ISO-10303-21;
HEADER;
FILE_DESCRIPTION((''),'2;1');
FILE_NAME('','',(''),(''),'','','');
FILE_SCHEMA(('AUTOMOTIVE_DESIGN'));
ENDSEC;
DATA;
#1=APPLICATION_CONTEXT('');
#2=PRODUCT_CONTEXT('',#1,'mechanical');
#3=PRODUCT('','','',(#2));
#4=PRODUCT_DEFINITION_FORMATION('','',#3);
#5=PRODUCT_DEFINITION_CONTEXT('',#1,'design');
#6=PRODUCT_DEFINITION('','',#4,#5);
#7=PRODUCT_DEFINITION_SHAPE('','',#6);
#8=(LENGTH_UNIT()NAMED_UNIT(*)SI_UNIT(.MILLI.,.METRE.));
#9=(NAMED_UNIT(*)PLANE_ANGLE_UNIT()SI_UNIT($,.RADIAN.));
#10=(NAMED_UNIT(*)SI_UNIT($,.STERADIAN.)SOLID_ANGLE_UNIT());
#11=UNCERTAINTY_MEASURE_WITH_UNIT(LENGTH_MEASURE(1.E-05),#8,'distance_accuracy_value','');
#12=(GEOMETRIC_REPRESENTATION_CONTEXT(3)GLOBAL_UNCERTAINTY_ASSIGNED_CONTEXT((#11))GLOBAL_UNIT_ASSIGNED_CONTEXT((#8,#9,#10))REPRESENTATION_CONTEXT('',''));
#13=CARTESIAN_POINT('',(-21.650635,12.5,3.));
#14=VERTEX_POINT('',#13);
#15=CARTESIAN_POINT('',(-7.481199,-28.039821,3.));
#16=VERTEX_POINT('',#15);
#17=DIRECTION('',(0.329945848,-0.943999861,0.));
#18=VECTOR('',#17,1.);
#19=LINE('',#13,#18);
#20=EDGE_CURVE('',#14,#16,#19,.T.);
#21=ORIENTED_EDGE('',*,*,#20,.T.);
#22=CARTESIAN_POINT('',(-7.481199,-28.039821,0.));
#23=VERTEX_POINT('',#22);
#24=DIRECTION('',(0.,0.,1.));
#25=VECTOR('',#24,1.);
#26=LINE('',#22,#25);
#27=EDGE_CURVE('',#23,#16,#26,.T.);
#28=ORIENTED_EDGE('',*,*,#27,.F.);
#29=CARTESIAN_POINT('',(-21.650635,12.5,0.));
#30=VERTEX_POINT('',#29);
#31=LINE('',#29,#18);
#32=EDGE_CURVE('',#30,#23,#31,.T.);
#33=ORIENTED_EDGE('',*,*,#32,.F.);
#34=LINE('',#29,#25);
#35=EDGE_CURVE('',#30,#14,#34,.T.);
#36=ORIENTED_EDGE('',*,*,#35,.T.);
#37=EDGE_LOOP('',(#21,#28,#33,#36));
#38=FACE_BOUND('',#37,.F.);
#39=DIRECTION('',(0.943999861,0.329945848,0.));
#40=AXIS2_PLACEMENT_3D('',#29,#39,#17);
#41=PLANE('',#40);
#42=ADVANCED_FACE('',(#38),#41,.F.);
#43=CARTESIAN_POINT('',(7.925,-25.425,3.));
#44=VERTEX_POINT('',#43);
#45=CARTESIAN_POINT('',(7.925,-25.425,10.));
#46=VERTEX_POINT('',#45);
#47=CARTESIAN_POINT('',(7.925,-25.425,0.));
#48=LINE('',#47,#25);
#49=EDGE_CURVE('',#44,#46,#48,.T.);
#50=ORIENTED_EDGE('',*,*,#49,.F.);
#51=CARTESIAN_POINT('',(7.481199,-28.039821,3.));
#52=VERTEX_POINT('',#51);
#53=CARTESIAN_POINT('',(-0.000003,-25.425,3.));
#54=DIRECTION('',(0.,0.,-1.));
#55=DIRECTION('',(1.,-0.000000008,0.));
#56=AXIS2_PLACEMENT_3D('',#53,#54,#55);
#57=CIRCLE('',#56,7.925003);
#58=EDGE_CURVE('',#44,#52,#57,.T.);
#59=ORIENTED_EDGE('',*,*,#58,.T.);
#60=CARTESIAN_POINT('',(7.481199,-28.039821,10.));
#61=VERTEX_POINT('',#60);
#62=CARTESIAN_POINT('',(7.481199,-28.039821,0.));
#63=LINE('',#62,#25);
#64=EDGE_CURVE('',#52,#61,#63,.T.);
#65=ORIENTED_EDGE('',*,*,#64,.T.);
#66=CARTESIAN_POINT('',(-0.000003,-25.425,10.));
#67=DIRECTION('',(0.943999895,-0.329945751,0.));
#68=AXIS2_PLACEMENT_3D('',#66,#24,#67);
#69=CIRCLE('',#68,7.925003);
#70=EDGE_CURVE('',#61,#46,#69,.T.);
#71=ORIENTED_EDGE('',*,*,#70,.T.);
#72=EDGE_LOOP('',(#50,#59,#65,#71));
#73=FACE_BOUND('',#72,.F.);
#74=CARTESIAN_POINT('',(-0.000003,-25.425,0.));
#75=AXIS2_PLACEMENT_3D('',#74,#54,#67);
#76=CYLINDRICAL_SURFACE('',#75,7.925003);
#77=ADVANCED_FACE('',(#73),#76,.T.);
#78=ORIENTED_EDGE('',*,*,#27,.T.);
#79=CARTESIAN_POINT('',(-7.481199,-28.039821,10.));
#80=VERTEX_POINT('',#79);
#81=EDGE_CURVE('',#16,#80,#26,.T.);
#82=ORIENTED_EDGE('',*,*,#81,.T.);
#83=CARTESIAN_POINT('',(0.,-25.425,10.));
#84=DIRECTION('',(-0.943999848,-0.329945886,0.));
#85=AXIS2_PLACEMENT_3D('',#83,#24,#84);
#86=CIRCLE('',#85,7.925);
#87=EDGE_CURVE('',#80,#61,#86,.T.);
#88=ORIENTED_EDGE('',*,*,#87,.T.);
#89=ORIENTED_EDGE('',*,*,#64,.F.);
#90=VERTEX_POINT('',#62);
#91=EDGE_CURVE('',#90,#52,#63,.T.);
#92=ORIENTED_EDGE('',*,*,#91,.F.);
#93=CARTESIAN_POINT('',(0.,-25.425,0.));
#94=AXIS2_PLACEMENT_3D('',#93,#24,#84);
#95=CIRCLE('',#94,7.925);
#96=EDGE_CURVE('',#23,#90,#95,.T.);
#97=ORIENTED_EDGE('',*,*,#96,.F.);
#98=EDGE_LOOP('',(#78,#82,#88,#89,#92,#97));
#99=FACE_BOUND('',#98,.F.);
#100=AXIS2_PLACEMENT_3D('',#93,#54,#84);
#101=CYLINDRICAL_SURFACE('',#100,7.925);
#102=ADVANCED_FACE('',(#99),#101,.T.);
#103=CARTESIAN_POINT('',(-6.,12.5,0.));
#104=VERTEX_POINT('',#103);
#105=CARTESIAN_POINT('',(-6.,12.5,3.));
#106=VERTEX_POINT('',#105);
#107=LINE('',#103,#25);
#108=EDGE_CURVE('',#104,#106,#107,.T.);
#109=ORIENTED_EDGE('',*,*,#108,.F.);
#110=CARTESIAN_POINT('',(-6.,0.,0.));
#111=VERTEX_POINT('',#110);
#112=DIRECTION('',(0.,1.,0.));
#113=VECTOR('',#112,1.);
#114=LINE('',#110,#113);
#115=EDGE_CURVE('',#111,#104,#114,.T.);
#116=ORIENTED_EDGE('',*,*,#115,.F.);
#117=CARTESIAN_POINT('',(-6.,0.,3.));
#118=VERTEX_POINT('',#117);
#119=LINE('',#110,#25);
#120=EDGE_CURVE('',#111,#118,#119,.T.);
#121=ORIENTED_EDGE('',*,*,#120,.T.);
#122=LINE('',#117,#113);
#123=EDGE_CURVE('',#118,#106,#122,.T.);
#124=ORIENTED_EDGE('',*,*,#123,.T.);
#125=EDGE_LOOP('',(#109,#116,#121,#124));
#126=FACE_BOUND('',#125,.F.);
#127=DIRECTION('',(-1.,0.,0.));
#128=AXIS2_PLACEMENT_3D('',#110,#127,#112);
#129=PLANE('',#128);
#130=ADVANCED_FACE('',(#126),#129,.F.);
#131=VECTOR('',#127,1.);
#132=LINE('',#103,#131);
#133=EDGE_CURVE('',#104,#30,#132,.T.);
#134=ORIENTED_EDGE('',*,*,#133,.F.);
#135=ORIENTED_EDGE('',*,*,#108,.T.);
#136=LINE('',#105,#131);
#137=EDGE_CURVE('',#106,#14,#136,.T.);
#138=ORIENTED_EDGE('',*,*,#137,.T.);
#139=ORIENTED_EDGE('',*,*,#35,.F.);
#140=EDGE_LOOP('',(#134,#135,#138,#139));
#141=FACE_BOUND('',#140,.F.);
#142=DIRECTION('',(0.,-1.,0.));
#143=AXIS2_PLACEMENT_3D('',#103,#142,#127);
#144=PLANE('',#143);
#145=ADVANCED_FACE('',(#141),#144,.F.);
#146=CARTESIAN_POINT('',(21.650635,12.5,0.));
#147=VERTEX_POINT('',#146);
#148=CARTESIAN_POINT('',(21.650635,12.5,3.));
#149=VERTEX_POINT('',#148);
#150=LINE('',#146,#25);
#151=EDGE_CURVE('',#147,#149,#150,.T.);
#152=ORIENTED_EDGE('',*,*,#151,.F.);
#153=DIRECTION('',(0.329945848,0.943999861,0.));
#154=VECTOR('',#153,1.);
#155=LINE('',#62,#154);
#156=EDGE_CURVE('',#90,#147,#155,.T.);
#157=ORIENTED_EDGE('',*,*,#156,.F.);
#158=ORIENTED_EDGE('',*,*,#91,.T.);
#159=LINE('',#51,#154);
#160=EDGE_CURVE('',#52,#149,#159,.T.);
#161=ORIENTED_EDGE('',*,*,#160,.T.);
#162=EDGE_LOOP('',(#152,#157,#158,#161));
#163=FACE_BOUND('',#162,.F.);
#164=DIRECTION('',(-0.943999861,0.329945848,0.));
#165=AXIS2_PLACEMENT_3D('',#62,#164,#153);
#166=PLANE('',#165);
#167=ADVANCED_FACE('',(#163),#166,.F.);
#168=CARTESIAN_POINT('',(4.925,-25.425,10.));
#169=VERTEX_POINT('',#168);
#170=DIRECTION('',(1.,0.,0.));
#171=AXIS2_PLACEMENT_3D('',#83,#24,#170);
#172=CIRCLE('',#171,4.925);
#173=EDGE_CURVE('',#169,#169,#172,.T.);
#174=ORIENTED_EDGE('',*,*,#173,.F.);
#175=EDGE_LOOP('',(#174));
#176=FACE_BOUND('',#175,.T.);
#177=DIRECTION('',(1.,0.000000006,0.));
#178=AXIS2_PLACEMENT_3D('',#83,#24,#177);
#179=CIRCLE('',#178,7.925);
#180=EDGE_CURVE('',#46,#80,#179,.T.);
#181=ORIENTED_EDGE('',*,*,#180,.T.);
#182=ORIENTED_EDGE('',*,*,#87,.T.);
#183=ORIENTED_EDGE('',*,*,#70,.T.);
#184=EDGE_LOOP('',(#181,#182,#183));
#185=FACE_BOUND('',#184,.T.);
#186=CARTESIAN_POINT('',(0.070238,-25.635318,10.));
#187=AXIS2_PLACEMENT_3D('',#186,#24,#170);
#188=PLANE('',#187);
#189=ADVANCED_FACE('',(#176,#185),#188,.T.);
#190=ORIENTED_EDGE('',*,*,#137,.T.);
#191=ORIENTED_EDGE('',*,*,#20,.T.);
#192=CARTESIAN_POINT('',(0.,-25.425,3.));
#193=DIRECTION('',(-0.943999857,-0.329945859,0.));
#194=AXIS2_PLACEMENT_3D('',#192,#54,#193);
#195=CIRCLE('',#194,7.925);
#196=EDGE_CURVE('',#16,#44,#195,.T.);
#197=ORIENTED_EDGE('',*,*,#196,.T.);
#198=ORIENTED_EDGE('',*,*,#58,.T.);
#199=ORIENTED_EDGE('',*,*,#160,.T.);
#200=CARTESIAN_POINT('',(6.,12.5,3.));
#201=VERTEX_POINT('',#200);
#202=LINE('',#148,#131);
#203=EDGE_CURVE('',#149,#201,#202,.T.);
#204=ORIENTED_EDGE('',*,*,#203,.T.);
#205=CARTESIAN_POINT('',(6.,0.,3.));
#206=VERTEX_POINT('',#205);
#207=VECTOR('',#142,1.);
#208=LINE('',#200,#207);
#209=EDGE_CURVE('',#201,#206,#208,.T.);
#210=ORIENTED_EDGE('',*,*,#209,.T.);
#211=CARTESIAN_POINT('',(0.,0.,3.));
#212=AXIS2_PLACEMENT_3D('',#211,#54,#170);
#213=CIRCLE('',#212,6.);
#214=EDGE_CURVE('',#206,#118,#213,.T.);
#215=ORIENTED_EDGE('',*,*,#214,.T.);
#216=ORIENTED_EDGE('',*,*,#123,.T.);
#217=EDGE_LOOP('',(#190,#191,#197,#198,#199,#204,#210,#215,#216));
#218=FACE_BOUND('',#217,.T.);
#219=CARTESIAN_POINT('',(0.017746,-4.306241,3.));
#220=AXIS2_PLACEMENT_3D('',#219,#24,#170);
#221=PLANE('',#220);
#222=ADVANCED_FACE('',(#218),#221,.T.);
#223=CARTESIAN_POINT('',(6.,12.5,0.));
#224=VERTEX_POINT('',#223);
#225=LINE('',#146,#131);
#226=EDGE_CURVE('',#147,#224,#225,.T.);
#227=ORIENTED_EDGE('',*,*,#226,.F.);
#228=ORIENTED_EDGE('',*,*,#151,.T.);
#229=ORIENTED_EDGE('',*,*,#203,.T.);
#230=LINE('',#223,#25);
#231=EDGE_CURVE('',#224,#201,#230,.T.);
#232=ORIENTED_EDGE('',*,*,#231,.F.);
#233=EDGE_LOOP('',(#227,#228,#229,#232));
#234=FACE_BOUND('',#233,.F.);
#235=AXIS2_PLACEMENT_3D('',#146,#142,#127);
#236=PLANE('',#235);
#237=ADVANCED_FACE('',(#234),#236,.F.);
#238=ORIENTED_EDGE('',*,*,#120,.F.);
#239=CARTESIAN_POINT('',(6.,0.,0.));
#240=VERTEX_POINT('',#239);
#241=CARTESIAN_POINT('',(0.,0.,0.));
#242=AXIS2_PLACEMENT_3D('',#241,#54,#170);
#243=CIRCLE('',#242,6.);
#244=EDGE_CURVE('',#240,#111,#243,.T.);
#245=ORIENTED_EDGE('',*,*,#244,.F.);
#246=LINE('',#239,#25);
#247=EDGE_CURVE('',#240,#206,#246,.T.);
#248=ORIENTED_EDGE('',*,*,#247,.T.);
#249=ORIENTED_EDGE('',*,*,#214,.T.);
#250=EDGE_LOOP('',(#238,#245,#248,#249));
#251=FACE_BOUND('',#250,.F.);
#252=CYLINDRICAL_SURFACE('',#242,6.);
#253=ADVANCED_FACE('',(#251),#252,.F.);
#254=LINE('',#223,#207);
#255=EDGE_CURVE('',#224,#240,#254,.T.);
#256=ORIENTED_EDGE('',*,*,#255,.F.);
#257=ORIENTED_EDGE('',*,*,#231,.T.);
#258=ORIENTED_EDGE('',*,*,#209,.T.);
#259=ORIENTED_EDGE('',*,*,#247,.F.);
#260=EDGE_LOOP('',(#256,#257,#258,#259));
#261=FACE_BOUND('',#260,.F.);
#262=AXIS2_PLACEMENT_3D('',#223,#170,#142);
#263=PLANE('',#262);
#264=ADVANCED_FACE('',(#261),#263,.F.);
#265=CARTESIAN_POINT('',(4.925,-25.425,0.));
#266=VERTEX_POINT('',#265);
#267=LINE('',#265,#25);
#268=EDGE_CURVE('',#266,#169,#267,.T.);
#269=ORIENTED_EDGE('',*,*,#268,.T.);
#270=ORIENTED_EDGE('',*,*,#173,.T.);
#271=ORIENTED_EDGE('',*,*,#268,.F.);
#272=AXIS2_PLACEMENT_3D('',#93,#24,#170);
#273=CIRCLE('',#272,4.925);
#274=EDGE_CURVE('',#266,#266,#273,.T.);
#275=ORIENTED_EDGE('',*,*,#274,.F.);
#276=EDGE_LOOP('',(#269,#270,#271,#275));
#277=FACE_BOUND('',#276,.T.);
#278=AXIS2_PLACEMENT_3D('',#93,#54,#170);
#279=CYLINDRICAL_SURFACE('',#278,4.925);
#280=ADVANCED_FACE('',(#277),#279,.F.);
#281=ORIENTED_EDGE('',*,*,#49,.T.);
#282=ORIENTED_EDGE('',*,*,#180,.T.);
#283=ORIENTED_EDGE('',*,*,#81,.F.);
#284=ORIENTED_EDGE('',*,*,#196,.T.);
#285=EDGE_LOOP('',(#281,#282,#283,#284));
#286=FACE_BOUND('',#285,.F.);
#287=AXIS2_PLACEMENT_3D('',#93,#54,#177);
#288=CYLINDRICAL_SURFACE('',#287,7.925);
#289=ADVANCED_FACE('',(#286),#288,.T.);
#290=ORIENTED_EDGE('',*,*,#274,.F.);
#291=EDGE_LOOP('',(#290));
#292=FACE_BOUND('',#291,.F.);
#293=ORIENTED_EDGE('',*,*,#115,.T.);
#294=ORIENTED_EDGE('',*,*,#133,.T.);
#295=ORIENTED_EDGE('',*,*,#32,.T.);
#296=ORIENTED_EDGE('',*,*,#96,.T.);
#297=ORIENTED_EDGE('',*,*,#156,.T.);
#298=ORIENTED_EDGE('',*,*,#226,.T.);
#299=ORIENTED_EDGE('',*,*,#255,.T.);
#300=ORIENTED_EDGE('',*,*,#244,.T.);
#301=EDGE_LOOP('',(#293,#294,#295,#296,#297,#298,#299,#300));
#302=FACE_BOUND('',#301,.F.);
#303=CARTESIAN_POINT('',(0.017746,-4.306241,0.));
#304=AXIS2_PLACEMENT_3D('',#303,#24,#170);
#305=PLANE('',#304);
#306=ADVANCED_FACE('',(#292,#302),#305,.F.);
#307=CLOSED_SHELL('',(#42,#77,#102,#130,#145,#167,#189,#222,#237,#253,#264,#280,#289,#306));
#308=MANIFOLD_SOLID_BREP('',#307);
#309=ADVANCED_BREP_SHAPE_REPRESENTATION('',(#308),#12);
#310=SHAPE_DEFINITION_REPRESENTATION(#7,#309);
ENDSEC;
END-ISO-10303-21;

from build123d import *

# Parameters (mm, degrees)
F0_R     = 4.925
F1_DEPTH = 10
F2_DEPTH = 3


with BuildPart() as f1:
    # F0 (on Top) → F1 (new body)
    with BuildSketch(Plane.XY):
        with BuildLine():
            ThreePointArc((7.925, -25.425), (-1.326108, -17.611738), (-7.481199, -28.039821))
            ThreePointArc((-7.481199, -28.039821), (0, -33.35), (7.481199, -28.039821))
            ThreePointArc((7.481199, -28.039821), (7.813262, -26.751108), (7.925, -25.425))
        make_face()
        with Locations((0, -25.425)):
            Circle(F0_R, mode=Mode.SUBTRACT)
    extrude(amount=F1_DEPTH)

    # F0 (on Top) → F2 (join)
    with BuildSketch(Plane.XY):
        with BuildLine():
            Line((-6, 12.5), (-21.650635, 12.5))
            Line((-21.650635, 12.5), (-7.481199, -28.039821))
            ThreePointArc((-7.481199, -28.039821), (-1.326108, -17.611738), (7.925, -25.425))
            ThreePointArc((7.925, -25.425), (7.813262, -26.751108), (7.481199, -28.039821))
            Line((7.481199, -28.039821), (21.650635, 12.5))
            Line((21.650635, 12.5), (6, 12.5))
            Line((6, 12.5), (6, 0))
            ThreePointArc((6, 0), (0, -6), (-6, 0))
            Line((-6, 0), (-6, 12.5))
        make_face()
    extrude(amount=F2_DEPTH)


solid = f1.part
